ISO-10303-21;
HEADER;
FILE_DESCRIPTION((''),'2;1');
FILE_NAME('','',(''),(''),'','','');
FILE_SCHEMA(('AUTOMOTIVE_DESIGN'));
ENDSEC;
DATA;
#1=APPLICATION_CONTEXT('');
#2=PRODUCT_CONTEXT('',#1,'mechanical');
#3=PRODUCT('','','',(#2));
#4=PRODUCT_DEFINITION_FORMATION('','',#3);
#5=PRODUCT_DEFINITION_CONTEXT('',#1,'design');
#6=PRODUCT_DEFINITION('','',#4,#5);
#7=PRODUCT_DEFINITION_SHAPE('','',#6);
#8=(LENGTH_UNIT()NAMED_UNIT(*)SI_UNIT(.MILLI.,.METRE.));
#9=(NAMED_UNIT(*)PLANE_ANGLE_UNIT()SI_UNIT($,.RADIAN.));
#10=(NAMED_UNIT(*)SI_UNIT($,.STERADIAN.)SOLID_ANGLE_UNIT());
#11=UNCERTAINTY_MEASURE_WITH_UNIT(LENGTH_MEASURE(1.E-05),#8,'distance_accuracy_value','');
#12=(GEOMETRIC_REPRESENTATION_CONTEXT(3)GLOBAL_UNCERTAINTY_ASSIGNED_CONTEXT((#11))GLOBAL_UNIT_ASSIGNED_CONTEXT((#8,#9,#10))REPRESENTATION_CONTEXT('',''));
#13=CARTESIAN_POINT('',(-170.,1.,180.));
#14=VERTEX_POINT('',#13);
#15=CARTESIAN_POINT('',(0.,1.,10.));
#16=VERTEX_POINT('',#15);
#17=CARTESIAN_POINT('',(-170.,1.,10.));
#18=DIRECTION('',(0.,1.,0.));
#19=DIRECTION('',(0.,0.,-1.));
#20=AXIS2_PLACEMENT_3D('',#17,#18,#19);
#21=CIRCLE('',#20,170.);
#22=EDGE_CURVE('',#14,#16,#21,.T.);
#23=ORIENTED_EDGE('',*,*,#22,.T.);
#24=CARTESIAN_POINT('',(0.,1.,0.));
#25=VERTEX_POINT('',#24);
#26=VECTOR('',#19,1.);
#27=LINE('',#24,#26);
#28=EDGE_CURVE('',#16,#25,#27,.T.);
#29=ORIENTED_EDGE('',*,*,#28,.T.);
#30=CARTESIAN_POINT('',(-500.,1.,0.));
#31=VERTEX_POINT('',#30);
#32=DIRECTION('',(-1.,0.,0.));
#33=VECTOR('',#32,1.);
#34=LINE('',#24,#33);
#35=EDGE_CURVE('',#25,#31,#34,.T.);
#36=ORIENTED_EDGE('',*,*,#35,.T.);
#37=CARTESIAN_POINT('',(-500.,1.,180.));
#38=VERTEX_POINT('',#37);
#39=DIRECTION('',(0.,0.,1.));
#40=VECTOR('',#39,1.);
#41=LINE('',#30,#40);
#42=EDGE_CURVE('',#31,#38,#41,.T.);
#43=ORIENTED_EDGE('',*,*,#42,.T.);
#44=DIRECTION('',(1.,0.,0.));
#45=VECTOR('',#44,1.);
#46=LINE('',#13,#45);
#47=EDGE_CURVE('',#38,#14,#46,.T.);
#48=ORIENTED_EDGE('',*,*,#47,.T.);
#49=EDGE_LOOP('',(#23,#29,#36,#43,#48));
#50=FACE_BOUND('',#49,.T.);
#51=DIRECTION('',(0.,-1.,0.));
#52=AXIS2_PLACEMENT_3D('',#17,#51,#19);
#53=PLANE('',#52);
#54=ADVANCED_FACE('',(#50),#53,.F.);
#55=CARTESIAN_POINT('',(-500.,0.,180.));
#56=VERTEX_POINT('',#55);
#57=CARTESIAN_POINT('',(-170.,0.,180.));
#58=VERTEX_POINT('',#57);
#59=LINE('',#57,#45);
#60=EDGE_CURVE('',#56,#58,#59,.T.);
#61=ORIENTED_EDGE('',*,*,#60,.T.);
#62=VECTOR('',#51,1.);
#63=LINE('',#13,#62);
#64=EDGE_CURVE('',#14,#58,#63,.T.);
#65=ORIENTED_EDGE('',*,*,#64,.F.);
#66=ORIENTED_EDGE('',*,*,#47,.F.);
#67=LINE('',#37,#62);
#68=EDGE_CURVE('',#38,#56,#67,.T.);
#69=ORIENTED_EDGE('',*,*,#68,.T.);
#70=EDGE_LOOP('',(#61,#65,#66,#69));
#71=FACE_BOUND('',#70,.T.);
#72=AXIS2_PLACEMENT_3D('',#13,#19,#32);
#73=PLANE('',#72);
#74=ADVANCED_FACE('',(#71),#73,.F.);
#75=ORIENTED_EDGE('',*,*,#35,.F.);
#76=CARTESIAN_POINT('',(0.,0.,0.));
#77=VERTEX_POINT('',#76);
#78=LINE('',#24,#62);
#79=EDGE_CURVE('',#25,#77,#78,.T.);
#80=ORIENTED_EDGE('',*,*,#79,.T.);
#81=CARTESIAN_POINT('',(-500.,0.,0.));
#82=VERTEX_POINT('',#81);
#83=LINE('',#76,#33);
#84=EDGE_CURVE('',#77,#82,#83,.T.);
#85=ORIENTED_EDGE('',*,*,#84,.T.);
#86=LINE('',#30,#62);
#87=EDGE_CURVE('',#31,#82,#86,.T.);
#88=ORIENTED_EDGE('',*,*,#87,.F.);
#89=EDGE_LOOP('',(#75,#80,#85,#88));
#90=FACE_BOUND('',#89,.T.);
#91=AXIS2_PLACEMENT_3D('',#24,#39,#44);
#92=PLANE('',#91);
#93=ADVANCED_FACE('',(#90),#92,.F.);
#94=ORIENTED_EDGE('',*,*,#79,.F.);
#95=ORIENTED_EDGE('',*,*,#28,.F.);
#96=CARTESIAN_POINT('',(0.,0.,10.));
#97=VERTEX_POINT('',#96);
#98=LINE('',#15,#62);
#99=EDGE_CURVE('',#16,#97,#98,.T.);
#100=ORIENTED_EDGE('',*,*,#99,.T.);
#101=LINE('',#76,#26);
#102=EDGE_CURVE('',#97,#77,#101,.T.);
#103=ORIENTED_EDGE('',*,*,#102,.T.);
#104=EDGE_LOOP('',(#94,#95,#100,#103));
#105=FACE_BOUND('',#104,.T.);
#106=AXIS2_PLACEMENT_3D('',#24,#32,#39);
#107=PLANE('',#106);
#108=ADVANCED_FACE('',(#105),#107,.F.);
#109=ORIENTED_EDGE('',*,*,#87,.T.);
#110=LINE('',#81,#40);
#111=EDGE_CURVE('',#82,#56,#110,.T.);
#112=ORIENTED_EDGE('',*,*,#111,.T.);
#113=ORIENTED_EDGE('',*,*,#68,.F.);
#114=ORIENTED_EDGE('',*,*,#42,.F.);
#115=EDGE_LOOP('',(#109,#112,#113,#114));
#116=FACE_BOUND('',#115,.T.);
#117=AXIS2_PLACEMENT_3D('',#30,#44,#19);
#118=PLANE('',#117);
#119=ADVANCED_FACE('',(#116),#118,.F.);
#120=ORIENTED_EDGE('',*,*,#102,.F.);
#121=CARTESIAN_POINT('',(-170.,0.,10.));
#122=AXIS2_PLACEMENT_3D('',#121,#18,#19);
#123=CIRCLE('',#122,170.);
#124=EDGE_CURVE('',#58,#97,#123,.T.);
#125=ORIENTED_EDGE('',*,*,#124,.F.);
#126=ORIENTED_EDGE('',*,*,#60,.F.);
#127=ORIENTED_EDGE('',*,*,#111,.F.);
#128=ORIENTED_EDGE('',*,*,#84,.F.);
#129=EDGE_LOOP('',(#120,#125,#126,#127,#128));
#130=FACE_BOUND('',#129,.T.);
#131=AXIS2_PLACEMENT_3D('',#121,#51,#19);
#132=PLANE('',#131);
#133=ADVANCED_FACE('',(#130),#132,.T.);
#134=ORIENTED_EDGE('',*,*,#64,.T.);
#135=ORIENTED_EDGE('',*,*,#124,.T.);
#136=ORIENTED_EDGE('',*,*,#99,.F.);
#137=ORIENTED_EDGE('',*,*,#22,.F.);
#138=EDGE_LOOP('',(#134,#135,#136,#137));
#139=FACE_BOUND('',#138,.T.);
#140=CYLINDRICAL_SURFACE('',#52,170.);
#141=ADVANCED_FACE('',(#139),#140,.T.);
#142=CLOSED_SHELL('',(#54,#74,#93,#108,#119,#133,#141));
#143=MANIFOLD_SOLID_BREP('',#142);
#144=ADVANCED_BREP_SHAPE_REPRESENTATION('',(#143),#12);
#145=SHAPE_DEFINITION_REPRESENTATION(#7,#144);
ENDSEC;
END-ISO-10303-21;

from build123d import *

# Parameters (mm, degrees)
WING_DEPTH = 1


with BuildPart() as part:
    # Sketch1 → wing (new body)
    with BuildSketch(Plane(origin=(0, 0, 0), x_dir=(1, 0, 0), z_dir=(0, 1, 0))):
        with BuildLine():
            Line((0, 0), (-500, 0))
            Line((-500, 0), (-500, -180))
            Line((-500, -180), (-170, -180))
            ThreePointArc((-170, -180), (-49.791847198, -130.208152802), (0, -10))
            Line((0, -10), (0, 0))
        make_face()
    extrude(amount=WING_DEPTH)


solid = part.part
